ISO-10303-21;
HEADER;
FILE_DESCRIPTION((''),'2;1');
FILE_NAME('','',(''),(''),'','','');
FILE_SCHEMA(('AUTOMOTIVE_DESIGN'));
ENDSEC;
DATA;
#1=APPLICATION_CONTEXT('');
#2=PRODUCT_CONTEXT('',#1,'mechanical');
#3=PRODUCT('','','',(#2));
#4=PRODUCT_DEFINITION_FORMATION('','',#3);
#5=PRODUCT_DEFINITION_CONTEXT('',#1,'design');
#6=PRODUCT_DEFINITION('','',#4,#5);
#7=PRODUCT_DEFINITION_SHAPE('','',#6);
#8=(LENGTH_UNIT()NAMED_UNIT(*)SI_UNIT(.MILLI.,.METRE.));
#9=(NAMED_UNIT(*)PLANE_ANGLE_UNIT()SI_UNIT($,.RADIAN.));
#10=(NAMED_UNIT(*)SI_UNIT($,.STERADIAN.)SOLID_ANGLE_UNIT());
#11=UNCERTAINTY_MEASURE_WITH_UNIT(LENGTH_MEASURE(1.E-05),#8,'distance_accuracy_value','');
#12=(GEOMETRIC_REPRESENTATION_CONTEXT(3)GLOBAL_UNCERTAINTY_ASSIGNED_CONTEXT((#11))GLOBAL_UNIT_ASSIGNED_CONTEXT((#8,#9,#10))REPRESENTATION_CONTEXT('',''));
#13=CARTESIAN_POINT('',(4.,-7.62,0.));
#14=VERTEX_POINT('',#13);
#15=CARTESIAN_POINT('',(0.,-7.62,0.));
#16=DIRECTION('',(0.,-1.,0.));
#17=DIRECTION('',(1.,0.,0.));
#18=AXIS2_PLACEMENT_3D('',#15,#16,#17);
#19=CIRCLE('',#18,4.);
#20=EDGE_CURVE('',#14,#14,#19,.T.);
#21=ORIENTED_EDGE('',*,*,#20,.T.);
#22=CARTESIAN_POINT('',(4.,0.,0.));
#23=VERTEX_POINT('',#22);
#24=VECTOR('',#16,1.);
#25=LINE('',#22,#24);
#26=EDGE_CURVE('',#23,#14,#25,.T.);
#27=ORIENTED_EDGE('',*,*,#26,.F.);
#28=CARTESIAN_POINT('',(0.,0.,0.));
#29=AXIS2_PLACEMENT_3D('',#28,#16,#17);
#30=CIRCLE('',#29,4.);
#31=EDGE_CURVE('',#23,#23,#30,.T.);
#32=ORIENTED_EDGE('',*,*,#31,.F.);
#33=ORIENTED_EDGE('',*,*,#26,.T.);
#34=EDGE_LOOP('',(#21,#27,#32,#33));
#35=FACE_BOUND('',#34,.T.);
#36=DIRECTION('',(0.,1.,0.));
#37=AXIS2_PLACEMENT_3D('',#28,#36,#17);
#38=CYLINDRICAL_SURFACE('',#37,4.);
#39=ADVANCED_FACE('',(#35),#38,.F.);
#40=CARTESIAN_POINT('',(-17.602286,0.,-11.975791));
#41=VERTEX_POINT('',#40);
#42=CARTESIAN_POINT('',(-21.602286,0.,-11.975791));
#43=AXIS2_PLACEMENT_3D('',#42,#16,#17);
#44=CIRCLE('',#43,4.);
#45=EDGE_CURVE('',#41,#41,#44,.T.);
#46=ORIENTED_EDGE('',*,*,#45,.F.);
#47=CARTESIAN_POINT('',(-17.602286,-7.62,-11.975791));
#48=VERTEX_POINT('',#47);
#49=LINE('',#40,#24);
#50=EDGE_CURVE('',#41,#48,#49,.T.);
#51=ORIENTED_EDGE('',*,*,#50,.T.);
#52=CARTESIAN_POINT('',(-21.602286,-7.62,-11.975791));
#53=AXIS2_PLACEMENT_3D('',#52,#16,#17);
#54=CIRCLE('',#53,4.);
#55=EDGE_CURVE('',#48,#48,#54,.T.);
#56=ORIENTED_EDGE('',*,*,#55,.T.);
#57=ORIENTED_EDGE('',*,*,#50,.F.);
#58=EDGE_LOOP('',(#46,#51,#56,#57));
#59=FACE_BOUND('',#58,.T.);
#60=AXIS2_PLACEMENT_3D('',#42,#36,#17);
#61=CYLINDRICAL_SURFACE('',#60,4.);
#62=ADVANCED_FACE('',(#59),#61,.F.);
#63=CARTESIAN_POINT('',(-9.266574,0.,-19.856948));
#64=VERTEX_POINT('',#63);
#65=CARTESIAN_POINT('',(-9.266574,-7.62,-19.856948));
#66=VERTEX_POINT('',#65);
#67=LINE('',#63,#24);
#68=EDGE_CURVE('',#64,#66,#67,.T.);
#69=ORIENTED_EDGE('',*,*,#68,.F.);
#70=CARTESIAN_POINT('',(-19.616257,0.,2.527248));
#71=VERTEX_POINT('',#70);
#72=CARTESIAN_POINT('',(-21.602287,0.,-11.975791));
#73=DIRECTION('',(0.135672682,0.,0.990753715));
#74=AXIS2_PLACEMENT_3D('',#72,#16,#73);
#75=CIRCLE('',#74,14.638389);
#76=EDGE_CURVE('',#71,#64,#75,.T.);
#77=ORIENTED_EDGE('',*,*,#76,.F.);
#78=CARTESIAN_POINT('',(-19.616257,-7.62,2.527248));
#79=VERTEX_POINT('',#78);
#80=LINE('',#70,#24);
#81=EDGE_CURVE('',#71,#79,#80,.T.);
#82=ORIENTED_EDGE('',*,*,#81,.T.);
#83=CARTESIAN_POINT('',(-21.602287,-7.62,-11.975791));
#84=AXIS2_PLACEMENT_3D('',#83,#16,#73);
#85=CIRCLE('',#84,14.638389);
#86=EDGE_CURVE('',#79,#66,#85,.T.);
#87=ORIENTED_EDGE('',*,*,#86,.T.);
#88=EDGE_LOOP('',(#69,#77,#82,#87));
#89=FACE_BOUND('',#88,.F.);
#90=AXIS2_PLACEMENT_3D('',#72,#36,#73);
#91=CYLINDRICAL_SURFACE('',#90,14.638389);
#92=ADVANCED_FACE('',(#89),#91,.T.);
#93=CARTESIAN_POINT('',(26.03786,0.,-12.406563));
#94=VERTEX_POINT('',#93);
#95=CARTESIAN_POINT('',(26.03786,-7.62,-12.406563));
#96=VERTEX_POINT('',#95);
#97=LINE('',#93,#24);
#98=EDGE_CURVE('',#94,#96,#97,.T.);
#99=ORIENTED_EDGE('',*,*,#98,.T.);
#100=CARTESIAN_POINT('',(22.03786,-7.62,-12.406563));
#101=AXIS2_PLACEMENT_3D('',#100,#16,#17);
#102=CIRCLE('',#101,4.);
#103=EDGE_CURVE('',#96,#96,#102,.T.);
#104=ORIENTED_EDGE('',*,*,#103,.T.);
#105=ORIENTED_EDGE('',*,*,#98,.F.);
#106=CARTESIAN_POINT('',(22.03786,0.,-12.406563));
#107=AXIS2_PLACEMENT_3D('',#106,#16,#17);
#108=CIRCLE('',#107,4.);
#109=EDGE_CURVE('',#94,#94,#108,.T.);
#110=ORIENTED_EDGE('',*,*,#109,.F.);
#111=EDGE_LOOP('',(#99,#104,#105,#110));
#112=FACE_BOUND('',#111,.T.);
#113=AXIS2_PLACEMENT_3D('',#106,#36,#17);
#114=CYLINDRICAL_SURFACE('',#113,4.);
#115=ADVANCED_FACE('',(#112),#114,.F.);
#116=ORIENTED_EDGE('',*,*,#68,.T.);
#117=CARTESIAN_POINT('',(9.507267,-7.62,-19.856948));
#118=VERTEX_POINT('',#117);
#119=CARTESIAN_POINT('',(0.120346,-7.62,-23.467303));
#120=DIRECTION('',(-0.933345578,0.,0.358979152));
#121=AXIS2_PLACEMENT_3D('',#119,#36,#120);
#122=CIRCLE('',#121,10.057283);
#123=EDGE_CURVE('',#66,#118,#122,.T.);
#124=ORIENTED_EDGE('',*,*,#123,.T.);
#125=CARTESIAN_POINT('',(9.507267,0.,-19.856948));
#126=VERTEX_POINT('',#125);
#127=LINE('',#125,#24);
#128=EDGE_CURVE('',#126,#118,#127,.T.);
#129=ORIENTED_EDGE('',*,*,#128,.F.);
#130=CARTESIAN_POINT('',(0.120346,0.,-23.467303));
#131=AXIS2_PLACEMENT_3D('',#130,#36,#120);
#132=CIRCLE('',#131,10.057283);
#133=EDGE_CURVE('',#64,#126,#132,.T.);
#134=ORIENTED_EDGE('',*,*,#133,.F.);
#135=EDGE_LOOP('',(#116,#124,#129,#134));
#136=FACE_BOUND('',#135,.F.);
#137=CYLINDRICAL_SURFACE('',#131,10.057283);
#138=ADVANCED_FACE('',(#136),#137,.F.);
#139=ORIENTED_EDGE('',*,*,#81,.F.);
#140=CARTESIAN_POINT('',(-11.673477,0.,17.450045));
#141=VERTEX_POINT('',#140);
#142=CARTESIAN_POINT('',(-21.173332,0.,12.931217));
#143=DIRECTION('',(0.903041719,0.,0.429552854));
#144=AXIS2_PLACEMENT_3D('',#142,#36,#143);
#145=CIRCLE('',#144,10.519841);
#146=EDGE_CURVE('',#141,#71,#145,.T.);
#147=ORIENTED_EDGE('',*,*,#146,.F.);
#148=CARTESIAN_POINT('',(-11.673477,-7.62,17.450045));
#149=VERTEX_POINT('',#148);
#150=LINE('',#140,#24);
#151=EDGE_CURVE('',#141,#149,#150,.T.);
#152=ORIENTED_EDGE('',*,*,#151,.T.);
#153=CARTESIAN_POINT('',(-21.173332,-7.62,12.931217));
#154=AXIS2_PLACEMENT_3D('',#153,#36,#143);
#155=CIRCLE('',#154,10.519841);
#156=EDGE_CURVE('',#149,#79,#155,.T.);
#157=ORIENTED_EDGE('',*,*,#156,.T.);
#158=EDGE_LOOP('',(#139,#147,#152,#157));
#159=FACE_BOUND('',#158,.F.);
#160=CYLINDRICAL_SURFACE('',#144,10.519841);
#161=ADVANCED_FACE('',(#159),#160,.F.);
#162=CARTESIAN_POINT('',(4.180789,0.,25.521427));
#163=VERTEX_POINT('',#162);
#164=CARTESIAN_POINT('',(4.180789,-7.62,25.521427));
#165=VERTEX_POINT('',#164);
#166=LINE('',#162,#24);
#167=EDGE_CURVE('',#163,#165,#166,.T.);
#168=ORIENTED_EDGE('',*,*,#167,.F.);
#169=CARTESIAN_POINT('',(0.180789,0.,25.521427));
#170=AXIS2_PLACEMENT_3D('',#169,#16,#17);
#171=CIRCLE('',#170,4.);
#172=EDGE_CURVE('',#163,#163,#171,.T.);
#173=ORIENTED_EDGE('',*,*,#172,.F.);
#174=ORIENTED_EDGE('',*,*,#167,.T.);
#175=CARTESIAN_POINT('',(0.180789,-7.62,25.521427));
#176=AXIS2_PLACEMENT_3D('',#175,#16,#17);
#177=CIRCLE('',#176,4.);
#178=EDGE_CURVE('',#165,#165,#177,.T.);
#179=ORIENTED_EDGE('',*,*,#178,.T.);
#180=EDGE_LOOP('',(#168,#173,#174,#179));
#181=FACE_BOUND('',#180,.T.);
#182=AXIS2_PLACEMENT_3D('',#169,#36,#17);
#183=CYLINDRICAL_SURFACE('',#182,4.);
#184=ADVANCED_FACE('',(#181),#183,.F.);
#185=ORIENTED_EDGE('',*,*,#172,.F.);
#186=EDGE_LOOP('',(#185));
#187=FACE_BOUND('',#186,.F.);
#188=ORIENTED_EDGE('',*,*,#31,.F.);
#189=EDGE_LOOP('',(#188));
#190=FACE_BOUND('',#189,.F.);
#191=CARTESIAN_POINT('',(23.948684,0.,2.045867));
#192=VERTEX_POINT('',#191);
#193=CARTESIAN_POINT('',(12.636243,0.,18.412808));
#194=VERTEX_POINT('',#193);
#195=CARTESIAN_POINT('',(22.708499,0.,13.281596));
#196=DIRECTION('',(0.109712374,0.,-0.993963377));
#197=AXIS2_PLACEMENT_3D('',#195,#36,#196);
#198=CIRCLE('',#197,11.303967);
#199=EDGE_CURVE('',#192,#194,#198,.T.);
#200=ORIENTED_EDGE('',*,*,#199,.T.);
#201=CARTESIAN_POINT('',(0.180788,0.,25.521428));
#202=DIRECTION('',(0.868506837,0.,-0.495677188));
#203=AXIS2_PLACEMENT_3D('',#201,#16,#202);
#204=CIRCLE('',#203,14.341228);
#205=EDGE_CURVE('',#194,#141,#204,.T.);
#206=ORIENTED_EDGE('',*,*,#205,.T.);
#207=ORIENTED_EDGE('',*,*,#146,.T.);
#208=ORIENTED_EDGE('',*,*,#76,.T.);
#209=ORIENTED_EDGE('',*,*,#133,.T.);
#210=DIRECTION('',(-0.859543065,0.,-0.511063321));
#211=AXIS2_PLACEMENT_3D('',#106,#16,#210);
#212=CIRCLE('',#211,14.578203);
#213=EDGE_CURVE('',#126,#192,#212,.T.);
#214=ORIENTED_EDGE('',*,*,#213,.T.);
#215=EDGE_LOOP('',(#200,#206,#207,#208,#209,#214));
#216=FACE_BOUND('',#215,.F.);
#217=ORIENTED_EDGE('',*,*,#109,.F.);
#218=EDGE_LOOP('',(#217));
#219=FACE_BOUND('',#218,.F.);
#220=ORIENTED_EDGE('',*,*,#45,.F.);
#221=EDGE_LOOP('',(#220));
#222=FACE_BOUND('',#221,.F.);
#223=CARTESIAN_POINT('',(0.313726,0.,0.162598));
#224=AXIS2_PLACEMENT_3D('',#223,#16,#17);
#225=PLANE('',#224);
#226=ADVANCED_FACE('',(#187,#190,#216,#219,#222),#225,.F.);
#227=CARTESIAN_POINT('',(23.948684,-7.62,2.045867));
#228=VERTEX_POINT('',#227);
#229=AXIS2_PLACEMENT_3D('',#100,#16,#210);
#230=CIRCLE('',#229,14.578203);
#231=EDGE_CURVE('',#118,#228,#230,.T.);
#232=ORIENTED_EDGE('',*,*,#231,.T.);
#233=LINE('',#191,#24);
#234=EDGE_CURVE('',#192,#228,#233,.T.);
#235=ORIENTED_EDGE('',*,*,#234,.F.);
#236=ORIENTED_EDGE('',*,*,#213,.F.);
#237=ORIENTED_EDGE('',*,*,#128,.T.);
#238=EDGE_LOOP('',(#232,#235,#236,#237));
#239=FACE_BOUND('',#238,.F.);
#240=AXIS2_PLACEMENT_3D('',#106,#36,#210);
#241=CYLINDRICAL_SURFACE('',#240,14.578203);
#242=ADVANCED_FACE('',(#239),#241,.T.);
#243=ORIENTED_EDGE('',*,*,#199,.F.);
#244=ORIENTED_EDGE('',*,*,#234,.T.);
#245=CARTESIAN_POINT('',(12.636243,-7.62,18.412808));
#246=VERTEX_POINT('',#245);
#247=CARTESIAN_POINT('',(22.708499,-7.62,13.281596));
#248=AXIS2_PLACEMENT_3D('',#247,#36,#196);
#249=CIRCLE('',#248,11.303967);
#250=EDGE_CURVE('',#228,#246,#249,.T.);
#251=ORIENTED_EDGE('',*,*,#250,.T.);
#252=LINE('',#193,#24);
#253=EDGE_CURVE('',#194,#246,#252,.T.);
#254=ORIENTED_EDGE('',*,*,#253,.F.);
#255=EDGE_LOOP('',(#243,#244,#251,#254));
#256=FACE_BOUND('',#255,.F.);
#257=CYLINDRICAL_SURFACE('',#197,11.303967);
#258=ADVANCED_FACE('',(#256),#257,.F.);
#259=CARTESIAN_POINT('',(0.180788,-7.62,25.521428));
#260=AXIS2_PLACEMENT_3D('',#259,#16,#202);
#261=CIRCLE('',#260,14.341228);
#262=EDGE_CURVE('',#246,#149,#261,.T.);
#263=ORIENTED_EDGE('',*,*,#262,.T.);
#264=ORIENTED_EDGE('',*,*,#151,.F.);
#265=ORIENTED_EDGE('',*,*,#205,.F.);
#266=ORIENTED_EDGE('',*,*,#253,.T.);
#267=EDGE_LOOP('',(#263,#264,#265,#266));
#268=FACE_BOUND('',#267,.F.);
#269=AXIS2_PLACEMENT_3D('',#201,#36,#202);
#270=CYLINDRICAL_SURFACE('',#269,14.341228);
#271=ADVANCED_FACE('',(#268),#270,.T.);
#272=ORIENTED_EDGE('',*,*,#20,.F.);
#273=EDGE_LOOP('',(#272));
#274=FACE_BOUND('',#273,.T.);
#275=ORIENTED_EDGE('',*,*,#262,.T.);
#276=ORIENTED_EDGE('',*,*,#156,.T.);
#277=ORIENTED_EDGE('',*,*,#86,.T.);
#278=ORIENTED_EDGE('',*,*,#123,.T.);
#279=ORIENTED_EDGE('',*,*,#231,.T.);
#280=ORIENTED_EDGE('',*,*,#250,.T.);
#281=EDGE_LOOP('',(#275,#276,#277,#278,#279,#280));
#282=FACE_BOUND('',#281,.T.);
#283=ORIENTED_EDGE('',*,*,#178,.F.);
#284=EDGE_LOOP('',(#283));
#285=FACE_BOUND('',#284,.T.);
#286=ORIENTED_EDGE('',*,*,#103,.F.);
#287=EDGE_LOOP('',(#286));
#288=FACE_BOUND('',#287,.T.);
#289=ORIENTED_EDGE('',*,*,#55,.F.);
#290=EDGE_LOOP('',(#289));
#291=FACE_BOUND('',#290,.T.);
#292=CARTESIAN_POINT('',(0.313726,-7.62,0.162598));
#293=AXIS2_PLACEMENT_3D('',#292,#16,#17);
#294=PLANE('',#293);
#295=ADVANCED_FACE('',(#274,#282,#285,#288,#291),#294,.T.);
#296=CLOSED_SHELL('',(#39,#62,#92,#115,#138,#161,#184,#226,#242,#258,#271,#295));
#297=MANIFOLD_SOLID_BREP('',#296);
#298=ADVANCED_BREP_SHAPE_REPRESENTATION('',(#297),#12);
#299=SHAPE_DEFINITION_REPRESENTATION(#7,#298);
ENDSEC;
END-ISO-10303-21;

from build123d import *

# Parameters (mm, degrees)
F0_R     = 4
F1_DEPTH = 7.62


with BuildPart() as f1:
    # F0 (on Front) → F1 (new body)
    with BuildSketch(Plane.XZ):
        with BuildLine():
            ThreePointArc((23.948684, 2.045867), (13.409544, 6.85438), (12.636243, 18.412808))
            ThreePointArc((12.636243, 18.412808), (-0.386737, 39.851422), (-11.673477, 17.450045))
            ThreePointArc((-11.673477, 17.450045), (-11.886977, 7.988479), (-19.616257, 2.527248))
            ThreePointArc((-19.616257, 2.527248), (-34.889165, -18.119186), (-9.266574, -19.856948))
            ThreePointArc((-9.266574, -19.856948), (0.120346, -13.41002), (9.507267, -19.856948))
            ThreePointArc((9.507267, -19.856948), (34.208653, -20.431262), (23.948684, 2.045867))
        make_face()
        with Locations((-21.602286, -11.975791)):
            Circle(F0_R, mode=Mode.SUBTRACT)
        Circle(F0_R, mode=Mode.SUBTRACT)
        with Locations((22.03786, -12.406563)):
            Circle(F0_R, mode=Mode.SUBTRACT)
        with Locations((0.180789, 25.521427)):
            Circle(F0_R, mode=Mode.SUBTRACT)
    extrude(amount=F1_DEPTH)


solid = f1.part
